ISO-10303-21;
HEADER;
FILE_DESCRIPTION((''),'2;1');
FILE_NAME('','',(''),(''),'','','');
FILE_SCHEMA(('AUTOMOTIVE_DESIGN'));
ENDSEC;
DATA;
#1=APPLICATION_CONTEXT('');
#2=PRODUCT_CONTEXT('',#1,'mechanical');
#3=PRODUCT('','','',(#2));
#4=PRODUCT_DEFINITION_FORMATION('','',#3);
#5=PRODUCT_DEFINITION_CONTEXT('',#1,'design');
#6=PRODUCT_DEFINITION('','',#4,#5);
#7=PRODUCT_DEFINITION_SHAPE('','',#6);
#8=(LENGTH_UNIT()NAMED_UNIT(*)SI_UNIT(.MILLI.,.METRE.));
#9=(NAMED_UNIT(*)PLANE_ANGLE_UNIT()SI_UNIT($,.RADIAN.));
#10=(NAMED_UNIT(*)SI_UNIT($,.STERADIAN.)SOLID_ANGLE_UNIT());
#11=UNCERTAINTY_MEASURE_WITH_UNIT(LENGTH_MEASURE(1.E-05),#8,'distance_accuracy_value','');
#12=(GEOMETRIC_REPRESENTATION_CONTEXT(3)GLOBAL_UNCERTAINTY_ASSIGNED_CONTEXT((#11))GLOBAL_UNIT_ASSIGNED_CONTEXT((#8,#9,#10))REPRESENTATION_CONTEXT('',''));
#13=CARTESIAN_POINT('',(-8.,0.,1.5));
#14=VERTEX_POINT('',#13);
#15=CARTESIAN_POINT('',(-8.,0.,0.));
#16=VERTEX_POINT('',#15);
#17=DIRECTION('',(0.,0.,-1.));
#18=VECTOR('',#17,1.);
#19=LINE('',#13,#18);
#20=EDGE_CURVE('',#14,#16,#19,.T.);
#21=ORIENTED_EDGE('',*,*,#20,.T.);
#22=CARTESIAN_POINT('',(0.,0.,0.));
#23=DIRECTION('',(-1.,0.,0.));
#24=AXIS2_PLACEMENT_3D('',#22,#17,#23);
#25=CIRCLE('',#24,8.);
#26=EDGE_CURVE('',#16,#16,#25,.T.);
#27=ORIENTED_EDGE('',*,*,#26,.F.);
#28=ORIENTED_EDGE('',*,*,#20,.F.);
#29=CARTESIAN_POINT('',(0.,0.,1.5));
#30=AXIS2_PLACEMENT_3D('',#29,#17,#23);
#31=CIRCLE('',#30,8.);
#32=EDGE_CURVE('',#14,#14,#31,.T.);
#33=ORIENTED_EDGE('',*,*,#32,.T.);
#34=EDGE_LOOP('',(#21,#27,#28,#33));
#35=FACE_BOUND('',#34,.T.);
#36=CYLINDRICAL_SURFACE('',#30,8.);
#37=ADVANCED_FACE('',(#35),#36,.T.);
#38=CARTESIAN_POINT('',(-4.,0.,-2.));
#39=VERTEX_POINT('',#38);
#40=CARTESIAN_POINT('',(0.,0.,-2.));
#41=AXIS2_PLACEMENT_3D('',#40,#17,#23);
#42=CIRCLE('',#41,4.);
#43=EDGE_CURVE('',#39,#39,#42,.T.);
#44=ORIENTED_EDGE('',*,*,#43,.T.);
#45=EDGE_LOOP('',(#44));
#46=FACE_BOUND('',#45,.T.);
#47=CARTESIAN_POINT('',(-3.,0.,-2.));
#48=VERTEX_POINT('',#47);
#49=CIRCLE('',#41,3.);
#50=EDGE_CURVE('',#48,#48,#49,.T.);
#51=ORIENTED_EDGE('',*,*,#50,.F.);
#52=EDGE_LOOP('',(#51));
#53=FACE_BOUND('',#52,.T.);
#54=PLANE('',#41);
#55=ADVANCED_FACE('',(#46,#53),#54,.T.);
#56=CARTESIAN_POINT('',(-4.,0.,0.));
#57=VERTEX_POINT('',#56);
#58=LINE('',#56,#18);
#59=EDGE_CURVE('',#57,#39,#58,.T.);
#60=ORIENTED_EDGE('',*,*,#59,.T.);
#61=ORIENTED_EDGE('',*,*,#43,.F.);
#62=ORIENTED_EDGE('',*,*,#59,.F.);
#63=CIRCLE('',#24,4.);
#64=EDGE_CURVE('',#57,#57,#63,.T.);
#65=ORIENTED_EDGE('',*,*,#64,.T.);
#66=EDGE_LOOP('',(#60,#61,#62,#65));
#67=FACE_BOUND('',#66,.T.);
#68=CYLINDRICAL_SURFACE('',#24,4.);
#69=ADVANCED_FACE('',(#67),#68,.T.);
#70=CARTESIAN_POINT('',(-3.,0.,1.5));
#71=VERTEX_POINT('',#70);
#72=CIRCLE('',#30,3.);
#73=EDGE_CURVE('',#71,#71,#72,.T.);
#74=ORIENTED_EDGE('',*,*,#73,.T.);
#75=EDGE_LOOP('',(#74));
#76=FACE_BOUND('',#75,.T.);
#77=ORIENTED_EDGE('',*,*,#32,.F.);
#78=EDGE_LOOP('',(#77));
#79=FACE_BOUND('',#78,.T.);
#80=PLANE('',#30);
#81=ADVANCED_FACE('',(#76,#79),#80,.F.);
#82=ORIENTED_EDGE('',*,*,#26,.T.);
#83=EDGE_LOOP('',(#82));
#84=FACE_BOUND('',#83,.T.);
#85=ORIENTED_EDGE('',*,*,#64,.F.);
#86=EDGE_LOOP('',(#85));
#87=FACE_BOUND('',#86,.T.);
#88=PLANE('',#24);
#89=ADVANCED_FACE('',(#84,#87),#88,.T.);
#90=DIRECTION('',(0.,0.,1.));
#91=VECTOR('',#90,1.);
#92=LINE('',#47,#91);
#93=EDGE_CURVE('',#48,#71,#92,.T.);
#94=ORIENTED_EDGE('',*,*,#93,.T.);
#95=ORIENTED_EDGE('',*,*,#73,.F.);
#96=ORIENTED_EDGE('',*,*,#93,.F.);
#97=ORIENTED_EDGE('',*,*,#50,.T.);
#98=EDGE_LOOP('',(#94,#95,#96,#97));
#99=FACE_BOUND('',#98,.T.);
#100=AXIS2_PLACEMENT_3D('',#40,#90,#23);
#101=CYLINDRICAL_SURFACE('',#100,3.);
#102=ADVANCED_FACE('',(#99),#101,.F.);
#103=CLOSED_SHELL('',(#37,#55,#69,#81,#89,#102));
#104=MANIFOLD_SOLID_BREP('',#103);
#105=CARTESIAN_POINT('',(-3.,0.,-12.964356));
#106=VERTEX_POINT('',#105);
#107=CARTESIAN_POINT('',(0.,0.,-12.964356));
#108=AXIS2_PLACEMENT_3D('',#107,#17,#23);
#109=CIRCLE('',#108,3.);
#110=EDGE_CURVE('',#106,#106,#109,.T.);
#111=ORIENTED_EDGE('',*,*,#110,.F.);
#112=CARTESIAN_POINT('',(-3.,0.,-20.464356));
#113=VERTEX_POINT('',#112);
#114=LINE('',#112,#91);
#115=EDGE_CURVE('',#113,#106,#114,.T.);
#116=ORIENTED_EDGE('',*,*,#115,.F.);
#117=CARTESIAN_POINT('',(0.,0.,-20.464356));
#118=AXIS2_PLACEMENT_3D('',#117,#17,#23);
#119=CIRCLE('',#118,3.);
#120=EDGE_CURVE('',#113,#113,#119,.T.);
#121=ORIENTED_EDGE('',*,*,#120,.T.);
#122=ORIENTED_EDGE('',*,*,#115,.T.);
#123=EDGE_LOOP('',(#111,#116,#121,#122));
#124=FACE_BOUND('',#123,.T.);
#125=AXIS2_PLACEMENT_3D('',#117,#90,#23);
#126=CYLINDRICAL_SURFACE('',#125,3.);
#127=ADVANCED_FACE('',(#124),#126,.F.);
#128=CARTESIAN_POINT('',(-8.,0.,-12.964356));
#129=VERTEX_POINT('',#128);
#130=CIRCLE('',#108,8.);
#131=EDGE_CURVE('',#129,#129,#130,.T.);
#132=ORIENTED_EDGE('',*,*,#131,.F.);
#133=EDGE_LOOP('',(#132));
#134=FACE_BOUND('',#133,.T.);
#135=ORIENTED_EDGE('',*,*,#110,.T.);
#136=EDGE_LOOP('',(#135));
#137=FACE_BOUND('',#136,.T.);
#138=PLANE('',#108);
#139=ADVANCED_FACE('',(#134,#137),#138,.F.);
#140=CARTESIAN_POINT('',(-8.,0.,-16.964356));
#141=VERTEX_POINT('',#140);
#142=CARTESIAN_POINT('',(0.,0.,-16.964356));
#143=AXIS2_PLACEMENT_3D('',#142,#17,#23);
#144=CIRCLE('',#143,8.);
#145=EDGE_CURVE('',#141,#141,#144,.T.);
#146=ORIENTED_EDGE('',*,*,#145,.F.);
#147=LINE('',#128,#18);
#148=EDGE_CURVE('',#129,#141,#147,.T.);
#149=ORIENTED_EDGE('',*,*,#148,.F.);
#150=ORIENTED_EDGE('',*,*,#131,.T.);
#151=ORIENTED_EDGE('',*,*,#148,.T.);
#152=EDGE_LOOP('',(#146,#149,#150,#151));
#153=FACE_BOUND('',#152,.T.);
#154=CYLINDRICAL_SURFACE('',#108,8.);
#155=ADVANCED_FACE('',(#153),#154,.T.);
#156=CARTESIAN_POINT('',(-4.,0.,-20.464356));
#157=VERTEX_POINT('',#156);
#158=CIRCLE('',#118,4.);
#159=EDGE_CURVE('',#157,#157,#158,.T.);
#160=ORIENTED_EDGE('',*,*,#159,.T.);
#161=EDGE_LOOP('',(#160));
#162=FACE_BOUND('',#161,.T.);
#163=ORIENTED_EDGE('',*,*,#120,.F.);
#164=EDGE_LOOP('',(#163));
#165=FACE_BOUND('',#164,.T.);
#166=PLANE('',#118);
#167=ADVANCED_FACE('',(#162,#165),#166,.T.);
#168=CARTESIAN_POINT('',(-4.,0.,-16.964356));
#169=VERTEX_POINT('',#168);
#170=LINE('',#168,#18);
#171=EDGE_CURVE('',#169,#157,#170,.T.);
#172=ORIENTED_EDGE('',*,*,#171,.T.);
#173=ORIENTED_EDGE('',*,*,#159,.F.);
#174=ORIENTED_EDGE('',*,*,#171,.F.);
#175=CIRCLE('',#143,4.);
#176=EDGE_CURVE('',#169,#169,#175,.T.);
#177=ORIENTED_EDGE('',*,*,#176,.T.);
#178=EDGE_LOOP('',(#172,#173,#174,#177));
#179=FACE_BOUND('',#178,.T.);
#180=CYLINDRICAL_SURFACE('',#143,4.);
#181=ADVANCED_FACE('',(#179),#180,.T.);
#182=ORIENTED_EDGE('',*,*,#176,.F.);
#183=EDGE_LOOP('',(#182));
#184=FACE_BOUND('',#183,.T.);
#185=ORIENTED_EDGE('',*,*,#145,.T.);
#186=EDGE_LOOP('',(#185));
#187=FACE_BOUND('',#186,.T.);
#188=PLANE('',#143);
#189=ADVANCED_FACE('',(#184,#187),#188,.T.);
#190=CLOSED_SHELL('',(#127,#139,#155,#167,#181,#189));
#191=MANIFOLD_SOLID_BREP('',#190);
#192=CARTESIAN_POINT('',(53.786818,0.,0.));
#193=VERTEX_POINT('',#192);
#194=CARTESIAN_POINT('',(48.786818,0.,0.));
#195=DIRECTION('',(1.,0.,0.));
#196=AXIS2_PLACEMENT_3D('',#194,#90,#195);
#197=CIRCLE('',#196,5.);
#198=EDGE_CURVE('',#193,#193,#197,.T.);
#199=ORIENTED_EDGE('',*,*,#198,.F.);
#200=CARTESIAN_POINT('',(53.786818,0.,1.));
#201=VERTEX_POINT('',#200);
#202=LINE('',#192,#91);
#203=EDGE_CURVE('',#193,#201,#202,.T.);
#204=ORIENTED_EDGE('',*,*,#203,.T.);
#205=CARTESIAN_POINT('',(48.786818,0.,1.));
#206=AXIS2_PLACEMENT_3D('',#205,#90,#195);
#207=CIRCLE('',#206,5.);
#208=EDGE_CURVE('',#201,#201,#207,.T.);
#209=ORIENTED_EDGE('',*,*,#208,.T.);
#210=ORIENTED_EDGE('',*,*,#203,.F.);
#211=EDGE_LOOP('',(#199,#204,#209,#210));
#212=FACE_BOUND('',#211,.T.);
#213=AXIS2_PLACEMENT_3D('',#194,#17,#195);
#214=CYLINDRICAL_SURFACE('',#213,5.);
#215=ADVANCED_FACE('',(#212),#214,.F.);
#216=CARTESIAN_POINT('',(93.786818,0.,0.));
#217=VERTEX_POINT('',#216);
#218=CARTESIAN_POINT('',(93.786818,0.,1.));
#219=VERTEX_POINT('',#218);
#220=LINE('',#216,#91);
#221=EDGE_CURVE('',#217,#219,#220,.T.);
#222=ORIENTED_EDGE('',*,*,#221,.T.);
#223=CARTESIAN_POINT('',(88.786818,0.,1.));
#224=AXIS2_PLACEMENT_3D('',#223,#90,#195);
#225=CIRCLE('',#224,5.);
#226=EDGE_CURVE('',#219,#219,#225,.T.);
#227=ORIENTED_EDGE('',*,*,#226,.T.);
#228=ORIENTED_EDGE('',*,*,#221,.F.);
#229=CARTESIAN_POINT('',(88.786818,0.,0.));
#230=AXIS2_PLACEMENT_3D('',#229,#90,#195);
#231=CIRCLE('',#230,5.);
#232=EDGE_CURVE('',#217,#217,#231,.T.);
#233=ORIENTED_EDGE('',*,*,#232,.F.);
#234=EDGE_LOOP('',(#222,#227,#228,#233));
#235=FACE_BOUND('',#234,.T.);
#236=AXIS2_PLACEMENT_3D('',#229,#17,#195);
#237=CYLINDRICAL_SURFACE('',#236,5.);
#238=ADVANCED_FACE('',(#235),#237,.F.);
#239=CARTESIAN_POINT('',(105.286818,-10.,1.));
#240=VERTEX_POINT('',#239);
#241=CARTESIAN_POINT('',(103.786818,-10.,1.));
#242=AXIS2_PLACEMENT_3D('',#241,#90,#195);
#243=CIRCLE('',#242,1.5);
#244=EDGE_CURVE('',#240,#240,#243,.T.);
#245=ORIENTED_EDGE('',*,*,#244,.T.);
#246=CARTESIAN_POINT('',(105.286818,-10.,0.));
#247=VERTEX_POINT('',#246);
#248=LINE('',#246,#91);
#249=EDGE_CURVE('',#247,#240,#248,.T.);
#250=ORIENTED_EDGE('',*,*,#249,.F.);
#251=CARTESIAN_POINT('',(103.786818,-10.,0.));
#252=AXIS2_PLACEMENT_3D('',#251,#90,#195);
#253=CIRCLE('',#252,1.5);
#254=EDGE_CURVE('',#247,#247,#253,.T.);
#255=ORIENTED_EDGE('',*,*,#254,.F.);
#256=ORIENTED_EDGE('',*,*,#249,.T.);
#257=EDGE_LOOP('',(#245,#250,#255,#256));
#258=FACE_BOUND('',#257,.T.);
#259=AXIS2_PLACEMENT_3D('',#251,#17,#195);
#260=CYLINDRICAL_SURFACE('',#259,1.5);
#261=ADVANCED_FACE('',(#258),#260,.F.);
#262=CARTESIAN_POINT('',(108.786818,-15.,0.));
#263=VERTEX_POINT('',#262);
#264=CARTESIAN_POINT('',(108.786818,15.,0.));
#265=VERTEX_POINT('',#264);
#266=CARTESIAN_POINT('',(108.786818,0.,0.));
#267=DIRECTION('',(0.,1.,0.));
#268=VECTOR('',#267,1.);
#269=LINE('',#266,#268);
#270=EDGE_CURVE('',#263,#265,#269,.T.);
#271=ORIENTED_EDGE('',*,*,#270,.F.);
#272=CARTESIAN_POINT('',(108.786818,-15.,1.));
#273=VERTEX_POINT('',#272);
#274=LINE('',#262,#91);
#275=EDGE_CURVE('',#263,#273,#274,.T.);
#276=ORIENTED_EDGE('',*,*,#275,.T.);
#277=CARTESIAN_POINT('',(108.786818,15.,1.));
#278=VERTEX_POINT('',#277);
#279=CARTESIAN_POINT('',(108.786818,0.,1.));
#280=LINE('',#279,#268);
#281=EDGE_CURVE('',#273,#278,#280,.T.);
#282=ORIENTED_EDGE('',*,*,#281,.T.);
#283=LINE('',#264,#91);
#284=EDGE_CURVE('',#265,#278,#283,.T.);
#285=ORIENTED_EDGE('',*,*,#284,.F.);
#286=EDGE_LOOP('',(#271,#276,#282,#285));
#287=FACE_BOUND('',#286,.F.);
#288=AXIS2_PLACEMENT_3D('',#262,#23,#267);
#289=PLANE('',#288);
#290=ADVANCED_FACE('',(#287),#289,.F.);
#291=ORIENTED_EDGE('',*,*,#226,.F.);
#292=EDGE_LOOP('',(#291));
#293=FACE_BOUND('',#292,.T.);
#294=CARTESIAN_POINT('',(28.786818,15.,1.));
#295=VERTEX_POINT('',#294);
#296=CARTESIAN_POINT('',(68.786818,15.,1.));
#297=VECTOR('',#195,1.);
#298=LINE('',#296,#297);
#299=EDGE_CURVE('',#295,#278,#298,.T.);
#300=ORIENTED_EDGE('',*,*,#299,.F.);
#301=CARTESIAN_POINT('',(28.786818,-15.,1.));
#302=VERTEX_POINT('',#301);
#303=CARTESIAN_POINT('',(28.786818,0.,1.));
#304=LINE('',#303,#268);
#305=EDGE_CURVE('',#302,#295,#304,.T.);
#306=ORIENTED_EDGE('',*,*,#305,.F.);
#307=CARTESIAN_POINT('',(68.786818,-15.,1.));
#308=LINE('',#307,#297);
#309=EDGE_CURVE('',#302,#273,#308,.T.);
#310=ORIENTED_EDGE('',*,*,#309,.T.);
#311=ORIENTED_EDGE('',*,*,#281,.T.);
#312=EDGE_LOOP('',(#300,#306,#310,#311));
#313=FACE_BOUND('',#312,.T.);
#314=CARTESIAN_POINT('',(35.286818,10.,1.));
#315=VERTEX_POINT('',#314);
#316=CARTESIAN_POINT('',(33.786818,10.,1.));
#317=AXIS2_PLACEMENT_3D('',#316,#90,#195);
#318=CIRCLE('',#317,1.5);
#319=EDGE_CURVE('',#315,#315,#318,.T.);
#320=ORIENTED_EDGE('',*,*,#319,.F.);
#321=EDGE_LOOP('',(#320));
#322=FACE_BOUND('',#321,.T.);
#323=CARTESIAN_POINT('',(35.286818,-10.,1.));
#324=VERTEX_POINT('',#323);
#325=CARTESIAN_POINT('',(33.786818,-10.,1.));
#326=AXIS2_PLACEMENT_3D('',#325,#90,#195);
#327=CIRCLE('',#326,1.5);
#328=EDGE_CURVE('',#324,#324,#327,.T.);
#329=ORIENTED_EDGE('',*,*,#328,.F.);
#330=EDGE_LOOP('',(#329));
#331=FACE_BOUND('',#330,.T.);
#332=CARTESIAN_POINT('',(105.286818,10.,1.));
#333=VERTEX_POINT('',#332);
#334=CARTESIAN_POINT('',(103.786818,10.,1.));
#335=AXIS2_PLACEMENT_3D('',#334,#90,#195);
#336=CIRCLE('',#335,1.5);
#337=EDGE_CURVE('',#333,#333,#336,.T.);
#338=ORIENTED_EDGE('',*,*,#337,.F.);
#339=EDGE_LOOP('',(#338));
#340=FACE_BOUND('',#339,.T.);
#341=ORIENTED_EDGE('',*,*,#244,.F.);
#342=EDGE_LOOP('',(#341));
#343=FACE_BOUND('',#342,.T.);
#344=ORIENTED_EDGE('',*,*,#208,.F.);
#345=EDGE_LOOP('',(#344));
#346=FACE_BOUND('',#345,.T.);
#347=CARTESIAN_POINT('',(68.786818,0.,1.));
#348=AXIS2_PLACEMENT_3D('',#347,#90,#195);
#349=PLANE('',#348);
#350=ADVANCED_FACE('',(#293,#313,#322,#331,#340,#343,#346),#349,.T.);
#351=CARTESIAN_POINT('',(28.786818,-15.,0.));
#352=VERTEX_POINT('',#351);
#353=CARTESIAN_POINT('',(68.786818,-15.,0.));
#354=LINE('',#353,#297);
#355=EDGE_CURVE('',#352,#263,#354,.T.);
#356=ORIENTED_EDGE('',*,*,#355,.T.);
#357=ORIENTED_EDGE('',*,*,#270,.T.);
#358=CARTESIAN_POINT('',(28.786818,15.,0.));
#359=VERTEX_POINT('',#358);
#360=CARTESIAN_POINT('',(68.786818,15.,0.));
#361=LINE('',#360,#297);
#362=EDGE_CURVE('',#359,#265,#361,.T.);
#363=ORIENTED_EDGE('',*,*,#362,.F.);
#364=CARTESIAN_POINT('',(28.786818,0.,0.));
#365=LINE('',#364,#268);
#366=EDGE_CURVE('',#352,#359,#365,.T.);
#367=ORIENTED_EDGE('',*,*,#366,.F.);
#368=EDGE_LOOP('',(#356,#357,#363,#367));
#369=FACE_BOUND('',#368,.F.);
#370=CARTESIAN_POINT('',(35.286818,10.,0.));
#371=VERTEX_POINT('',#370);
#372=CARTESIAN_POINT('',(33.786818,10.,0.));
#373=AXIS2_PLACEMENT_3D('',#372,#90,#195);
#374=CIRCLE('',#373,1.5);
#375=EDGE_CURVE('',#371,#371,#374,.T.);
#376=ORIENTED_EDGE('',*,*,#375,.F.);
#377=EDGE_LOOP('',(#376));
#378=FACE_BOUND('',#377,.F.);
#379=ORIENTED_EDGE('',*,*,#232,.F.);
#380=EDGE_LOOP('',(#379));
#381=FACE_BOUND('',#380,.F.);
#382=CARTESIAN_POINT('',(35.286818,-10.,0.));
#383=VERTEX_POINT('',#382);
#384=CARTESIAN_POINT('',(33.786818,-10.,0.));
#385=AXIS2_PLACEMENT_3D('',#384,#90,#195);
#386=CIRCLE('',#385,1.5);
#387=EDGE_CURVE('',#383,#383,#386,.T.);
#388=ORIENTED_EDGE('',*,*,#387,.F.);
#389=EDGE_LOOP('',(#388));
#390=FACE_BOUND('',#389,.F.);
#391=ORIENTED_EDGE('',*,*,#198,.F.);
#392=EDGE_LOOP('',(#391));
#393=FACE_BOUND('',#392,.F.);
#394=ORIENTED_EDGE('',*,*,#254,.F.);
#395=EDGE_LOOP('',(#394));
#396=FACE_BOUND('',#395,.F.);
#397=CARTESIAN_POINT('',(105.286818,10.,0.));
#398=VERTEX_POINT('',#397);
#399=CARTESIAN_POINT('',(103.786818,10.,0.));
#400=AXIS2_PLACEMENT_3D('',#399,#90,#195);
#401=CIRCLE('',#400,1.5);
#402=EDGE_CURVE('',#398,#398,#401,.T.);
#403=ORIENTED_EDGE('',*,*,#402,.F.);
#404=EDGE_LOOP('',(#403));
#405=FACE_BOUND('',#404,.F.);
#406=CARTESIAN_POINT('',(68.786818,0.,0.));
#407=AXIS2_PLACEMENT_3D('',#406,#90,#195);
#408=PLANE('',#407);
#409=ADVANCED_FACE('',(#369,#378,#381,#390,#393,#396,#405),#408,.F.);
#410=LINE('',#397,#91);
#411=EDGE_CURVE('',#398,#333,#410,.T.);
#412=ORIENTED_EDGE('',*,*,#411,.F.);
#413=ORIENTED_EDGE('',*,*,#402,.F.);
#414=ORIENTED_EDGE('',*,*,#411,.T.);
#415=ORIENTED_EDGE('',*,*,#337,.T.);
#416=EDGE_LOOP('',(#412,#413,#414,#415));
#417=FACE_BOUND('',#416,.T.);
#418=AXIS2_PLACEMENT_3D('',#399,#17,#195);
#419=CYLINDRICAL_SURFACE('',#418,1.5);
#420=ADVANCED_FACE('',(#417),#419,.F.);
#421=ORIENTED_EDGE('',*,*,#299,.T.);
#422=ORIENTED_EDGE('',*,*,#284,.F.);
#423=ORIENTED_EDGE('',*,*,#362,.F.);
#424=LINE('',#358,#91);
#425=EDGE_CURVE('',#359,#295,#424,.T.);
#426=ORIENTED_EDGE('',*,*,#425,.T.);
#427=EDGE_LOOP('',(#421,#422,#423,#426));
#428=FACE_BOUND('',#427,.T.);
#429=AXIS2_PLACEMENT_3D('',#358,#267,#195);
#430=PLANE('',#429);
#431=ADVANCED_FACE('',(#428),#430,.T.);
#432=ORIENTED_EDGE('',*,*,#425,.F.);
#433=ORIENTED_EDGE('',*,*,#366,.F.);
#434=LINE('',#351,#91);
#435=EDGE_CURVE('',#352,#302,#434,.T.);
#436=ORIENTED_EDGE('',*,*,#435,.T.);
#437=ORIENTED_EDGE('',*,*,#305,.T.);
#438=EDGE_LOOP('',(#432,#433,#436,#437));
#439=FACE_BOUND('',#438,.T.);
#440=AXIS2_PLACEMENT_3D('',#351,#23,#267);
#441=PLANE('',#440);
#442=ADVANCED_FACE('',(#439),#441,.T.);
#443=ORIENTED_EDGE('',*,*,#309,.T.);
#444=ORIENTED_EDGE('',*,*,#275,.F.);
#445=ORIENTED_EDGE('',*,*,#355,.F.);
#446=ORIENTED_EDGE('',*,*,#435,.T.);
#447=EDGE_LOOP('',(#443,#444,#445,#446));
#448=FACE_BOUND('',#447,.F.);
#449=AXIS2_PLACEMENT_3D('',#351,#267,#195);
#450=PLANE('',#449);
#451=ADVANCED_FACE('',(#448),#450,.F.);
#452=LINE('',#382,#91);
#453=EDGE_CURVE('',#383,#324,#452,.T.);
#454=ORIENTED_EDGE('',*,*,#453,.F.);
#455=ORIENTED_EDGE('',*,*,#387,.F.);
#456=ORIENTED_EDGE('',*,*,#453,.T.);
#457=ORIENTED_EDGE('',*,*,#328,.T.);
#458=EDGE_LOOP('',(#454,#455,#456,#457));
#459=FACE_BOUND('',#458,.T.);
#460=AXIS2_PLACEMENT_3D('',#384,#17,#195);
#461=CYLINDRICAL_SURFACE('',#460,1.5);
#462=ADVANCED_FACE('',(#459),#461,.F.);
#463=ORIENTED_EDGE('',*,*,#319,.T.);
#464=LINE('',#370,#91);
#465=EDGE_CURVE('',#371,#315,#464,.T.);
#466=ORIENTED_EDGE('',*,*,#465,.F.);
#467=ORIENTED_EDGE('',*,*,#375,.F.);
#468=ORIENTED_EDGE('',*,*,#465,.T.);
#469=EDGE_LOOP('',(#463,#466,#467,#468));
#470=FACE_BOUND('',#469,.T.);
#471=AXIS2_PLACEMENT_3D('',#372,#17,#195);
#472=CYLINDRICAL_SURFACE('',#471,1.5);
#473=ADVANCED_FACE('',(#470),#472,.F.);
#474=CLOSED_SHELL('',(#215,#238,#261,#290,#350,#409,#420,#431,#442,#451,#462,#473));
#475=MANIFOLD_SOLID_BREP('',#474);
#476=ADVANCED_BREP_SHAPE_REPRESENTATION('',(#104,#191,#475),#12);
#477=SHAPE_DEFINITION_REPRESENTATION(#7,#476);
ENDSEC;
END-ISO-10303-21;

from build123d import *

# Parameters (mm, degrees)
F2_W     = 80
F2_H     = 30
F2_R     = 1.5
F2_R_2   = 5
F3_DEPTH = 1


with BuildPart() as f1:
    # F0 (on Front) → F1 (revolve)
    with BuildSketch(Plane.XZ):
        Polygon((-3, -2), (-3, 1.5), (-8, 1.5), (-8, 0), (-4, 0), (-4, -2), align=None)
    revolve(axis=Axis((0, 0, 2.077047), (0, 0, -1)))


with BuildPart() as f3:
    # F2 (on Top) → F3 (new body)
    with BuildSketch(Plane.XY):
        with Locations((68.786818, 0)):
            Rectangle(F2_W, F2_H)
        with Locations((33.786818, -10)):
            Circle(F2_R, mode=Mode.SUBTRACT)
        with Locations((103.786818, -10)):
            Circle(F2_R, mode=Mode.SUBTRACT)
        with Locations((48.786818, 0)):
            Circle(F2_R_2, mode=Mode.SUBTRACT)
        with Locations((33.786818, 10)):
            Circle(F2_R, mode=Mode.SUBTRACT)
        with Locations((88.786818, 0)):
            Circle(F2_R_2, mode=Mode.SUBTRACT)
        with Locations((103.786818, 10)):
            Circle(F2_R, mode=Mode.SUBTRACT)
    extrude(amount=F3_DEPTH)


with BuildPart() as f5:
    # F4 (on Front) → F5 (revolve)
    with BuildSketch(Plane.XZ):
        Polygon((-3, -20.464356), (-3, -12.964356), (-8, -12.964356), (-8, -16.964356), (-4, -16.964356), (-4, -20.464356), align=None)
    revolve(axis=Axis((0, 0, -17.545227), (0, 0, -1)))


solid = Compound([f1.part, f3.part, f5.part])
